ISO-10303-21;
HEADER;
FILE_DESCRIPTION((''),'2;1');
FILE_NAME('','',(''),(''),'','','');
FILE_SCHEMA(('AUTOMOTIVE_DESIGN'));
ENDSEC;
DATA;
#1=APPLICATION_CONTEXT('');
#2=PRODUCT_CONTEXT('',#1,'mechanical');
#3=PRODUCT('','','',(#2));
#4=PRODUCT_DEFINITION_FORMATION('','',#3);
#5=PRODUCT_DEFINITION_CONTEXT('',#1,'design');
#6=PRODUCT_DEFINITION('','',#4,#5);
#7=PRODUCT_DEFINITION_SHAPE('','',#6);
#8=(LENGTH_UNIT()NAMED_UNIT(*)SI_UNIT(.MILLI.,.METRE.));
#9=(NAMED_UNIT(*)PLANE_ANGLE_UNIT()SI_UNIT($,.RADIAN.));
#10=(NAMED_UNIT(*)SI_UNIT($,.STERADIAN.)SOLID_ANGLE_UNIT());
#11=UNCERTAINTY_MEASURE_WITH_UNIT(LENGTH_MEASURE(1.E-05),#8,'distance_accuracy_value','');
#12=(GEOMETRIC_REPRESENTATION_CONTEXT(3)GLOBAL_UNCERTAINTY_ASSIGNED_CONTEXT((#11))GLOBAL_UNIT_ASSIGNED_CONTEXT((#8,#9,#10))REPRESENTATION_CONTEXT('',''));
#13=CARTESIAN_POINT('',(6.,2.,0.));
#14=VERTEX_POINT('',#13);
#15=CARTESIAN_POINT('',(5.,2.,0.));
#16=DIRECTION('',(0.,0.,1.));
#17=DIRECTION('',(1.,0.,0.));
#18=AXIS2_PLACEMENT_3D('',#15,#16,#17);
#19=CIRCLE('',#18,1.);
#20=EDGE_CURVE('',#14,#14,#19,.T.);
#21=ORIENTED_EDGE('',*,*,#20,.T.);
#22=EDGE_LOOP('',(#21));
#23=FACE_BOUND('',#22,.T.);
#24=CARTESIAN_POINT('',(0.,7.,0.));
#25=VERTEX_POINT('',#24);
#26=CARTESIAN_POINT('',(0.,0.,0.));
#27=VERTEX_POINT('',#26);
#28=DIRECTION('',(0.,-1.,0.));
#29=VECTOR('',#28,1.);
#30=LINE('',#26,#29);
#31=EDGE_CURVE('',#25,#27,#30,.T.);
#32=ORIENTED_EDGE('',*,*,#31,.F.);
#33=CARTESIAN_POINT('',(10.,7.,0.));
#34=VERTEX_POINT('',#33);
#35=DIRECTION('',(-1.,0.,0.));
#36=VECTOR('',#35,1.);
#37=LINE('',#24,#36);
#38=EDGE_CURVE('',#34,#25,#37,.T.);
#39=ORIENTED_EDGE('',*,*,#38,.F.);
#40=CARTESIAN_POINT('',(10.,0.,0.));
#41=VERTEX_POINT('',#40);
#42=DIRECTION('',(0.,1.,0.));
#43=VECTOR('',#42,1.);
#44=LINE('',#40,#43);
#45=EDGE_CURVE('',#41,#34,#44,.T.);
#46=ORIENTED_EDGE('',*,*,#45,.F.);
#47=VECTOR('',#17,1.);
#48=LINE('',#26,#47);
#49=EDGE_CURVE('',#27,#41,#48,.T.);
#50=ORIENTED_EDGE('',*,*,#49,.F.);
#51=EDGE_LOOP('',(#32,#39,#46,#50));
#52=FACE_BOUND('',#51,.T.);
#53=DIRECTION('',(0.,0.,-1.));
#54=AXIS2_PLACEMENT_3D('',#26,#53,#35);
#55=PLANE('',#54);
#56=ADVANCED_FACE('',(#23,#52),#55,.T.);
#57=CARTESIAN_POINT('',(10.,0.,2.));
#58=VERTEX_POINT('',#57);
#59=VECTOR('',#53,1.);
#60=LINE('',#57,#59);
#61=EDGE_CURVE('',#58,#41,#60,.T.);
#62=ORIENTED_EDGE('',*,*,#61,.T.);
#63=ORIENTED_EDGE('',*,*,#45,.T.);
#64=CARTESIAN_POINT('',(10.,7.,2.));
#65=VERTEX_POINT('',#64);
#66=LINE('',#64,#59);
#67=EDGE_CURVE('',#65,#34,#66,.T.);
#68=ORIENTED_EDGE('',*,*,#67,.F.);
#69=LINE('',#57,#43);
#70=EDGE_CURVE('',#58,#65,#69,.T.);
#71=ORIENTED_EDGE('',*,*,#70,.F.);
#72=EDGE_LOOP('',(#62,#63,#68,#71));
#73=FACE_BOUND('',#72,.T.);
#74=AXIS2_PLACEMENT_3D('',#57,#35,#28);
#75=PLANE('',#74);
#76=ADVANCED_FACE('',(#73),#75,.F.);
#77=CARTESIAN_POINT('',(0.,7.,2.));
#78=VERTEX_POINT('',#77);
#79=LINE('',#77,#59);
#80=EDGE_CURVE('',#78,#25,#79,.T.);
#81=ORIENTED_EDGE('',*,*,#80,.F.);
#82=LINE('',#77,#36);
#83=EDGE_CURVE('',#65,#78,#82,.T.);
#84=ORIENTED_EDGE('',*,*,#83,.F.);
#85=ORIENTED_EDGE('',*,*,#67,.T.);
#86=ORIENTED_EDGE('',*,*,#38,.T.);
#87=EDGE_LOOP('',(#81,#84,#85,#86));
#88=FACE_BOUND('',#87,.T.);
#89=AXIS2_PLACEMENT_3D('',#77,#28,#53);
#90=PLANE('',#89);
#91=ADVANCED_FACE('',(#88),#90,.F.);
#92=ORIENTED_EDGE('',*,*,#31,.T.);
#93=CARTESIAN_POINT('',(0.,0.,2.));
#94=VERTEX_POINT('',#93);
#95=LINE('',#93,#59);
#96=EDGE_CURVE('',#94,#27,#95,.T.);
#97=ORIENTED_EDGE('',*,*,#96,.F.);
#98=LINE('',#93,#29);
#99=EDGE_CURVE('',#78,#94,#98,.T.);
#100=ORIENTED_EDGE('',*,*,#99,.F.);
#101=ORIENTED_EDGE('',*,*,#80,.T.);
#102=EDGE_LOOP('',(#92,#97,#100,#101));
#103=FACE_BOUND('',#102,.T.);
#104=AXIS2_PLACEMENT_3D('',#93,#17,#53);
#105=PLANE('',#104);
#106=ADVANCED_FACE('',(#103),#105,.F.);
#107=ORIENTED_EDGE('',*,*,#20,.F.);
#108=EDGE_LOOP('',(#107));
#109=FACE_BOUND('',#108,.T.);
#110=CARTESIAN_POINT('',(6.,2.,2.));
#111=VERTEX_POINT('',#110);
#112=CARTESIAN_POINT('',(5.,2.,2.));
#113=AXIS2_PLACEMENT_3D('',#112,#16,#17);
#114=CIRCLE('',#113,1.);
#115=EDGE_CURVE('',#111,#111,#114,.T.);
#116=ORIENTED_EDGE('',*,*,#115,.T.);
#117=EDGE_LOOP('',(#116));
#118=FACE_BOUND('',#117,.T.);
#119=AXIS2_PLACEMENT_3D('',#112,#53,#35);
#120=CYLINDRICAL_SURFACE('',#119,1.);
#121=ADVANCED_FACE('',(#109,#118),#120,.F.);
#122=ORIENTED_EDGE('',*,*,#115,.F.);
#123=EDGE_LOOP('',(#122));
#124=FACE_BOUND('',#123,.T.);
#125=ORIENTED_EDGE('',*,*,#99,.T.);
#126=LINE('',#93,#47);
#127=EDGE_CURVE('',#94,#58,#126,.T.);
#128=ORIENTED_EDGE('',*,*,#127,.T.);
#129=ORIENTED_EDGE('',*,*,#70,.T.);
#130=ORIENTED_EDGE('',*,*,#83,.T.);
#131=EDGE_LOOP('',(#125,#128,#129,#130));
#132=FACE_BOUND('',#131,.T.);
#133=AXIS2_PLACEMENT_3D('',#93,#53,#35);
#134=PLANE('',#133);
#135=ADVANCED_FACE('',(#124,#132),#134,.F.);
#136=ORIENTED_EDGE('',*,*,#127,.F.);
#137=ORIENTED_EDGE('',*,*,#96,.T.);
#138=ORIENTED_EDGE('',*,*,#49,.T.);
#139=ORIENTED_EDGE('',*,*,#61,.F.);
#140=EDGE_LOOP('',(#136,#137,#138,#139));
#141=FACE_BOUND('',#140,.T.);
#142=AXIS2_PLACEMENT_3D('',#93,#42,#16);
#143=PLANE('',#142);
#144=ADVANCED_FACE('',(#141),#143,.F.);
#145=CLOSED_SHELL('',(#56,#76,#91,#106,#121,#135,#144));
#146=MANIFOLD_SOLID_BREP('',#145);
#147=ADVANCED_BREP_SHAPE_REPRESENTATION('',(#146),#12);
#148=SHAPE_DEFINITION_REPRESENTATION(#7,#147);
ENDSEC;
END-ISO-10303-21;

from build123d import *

# Parameters (mm, degrees)
SKETCH1_W           = 10
SKETCH1_H           = 7
SKETCH1_R           = 1
BOSS_EXTRUDE1_DEPTH = 2


with BuildPart() as part:
    # Sketch1 → Boss-Extrude1 (new body)
    with BuildSketch(Plane.XY):
        with Locations((5, 3.5)):
            Rectangle(SKETCH1_W, SKETCH1_H)
        with Locations((5, 2)):
            Circle(SKETCH1_R, mode=Mode.SUBTRACT)
    extrude(amount=BOSS_EXTRUDE1_DEPTH)


solid = part.part
